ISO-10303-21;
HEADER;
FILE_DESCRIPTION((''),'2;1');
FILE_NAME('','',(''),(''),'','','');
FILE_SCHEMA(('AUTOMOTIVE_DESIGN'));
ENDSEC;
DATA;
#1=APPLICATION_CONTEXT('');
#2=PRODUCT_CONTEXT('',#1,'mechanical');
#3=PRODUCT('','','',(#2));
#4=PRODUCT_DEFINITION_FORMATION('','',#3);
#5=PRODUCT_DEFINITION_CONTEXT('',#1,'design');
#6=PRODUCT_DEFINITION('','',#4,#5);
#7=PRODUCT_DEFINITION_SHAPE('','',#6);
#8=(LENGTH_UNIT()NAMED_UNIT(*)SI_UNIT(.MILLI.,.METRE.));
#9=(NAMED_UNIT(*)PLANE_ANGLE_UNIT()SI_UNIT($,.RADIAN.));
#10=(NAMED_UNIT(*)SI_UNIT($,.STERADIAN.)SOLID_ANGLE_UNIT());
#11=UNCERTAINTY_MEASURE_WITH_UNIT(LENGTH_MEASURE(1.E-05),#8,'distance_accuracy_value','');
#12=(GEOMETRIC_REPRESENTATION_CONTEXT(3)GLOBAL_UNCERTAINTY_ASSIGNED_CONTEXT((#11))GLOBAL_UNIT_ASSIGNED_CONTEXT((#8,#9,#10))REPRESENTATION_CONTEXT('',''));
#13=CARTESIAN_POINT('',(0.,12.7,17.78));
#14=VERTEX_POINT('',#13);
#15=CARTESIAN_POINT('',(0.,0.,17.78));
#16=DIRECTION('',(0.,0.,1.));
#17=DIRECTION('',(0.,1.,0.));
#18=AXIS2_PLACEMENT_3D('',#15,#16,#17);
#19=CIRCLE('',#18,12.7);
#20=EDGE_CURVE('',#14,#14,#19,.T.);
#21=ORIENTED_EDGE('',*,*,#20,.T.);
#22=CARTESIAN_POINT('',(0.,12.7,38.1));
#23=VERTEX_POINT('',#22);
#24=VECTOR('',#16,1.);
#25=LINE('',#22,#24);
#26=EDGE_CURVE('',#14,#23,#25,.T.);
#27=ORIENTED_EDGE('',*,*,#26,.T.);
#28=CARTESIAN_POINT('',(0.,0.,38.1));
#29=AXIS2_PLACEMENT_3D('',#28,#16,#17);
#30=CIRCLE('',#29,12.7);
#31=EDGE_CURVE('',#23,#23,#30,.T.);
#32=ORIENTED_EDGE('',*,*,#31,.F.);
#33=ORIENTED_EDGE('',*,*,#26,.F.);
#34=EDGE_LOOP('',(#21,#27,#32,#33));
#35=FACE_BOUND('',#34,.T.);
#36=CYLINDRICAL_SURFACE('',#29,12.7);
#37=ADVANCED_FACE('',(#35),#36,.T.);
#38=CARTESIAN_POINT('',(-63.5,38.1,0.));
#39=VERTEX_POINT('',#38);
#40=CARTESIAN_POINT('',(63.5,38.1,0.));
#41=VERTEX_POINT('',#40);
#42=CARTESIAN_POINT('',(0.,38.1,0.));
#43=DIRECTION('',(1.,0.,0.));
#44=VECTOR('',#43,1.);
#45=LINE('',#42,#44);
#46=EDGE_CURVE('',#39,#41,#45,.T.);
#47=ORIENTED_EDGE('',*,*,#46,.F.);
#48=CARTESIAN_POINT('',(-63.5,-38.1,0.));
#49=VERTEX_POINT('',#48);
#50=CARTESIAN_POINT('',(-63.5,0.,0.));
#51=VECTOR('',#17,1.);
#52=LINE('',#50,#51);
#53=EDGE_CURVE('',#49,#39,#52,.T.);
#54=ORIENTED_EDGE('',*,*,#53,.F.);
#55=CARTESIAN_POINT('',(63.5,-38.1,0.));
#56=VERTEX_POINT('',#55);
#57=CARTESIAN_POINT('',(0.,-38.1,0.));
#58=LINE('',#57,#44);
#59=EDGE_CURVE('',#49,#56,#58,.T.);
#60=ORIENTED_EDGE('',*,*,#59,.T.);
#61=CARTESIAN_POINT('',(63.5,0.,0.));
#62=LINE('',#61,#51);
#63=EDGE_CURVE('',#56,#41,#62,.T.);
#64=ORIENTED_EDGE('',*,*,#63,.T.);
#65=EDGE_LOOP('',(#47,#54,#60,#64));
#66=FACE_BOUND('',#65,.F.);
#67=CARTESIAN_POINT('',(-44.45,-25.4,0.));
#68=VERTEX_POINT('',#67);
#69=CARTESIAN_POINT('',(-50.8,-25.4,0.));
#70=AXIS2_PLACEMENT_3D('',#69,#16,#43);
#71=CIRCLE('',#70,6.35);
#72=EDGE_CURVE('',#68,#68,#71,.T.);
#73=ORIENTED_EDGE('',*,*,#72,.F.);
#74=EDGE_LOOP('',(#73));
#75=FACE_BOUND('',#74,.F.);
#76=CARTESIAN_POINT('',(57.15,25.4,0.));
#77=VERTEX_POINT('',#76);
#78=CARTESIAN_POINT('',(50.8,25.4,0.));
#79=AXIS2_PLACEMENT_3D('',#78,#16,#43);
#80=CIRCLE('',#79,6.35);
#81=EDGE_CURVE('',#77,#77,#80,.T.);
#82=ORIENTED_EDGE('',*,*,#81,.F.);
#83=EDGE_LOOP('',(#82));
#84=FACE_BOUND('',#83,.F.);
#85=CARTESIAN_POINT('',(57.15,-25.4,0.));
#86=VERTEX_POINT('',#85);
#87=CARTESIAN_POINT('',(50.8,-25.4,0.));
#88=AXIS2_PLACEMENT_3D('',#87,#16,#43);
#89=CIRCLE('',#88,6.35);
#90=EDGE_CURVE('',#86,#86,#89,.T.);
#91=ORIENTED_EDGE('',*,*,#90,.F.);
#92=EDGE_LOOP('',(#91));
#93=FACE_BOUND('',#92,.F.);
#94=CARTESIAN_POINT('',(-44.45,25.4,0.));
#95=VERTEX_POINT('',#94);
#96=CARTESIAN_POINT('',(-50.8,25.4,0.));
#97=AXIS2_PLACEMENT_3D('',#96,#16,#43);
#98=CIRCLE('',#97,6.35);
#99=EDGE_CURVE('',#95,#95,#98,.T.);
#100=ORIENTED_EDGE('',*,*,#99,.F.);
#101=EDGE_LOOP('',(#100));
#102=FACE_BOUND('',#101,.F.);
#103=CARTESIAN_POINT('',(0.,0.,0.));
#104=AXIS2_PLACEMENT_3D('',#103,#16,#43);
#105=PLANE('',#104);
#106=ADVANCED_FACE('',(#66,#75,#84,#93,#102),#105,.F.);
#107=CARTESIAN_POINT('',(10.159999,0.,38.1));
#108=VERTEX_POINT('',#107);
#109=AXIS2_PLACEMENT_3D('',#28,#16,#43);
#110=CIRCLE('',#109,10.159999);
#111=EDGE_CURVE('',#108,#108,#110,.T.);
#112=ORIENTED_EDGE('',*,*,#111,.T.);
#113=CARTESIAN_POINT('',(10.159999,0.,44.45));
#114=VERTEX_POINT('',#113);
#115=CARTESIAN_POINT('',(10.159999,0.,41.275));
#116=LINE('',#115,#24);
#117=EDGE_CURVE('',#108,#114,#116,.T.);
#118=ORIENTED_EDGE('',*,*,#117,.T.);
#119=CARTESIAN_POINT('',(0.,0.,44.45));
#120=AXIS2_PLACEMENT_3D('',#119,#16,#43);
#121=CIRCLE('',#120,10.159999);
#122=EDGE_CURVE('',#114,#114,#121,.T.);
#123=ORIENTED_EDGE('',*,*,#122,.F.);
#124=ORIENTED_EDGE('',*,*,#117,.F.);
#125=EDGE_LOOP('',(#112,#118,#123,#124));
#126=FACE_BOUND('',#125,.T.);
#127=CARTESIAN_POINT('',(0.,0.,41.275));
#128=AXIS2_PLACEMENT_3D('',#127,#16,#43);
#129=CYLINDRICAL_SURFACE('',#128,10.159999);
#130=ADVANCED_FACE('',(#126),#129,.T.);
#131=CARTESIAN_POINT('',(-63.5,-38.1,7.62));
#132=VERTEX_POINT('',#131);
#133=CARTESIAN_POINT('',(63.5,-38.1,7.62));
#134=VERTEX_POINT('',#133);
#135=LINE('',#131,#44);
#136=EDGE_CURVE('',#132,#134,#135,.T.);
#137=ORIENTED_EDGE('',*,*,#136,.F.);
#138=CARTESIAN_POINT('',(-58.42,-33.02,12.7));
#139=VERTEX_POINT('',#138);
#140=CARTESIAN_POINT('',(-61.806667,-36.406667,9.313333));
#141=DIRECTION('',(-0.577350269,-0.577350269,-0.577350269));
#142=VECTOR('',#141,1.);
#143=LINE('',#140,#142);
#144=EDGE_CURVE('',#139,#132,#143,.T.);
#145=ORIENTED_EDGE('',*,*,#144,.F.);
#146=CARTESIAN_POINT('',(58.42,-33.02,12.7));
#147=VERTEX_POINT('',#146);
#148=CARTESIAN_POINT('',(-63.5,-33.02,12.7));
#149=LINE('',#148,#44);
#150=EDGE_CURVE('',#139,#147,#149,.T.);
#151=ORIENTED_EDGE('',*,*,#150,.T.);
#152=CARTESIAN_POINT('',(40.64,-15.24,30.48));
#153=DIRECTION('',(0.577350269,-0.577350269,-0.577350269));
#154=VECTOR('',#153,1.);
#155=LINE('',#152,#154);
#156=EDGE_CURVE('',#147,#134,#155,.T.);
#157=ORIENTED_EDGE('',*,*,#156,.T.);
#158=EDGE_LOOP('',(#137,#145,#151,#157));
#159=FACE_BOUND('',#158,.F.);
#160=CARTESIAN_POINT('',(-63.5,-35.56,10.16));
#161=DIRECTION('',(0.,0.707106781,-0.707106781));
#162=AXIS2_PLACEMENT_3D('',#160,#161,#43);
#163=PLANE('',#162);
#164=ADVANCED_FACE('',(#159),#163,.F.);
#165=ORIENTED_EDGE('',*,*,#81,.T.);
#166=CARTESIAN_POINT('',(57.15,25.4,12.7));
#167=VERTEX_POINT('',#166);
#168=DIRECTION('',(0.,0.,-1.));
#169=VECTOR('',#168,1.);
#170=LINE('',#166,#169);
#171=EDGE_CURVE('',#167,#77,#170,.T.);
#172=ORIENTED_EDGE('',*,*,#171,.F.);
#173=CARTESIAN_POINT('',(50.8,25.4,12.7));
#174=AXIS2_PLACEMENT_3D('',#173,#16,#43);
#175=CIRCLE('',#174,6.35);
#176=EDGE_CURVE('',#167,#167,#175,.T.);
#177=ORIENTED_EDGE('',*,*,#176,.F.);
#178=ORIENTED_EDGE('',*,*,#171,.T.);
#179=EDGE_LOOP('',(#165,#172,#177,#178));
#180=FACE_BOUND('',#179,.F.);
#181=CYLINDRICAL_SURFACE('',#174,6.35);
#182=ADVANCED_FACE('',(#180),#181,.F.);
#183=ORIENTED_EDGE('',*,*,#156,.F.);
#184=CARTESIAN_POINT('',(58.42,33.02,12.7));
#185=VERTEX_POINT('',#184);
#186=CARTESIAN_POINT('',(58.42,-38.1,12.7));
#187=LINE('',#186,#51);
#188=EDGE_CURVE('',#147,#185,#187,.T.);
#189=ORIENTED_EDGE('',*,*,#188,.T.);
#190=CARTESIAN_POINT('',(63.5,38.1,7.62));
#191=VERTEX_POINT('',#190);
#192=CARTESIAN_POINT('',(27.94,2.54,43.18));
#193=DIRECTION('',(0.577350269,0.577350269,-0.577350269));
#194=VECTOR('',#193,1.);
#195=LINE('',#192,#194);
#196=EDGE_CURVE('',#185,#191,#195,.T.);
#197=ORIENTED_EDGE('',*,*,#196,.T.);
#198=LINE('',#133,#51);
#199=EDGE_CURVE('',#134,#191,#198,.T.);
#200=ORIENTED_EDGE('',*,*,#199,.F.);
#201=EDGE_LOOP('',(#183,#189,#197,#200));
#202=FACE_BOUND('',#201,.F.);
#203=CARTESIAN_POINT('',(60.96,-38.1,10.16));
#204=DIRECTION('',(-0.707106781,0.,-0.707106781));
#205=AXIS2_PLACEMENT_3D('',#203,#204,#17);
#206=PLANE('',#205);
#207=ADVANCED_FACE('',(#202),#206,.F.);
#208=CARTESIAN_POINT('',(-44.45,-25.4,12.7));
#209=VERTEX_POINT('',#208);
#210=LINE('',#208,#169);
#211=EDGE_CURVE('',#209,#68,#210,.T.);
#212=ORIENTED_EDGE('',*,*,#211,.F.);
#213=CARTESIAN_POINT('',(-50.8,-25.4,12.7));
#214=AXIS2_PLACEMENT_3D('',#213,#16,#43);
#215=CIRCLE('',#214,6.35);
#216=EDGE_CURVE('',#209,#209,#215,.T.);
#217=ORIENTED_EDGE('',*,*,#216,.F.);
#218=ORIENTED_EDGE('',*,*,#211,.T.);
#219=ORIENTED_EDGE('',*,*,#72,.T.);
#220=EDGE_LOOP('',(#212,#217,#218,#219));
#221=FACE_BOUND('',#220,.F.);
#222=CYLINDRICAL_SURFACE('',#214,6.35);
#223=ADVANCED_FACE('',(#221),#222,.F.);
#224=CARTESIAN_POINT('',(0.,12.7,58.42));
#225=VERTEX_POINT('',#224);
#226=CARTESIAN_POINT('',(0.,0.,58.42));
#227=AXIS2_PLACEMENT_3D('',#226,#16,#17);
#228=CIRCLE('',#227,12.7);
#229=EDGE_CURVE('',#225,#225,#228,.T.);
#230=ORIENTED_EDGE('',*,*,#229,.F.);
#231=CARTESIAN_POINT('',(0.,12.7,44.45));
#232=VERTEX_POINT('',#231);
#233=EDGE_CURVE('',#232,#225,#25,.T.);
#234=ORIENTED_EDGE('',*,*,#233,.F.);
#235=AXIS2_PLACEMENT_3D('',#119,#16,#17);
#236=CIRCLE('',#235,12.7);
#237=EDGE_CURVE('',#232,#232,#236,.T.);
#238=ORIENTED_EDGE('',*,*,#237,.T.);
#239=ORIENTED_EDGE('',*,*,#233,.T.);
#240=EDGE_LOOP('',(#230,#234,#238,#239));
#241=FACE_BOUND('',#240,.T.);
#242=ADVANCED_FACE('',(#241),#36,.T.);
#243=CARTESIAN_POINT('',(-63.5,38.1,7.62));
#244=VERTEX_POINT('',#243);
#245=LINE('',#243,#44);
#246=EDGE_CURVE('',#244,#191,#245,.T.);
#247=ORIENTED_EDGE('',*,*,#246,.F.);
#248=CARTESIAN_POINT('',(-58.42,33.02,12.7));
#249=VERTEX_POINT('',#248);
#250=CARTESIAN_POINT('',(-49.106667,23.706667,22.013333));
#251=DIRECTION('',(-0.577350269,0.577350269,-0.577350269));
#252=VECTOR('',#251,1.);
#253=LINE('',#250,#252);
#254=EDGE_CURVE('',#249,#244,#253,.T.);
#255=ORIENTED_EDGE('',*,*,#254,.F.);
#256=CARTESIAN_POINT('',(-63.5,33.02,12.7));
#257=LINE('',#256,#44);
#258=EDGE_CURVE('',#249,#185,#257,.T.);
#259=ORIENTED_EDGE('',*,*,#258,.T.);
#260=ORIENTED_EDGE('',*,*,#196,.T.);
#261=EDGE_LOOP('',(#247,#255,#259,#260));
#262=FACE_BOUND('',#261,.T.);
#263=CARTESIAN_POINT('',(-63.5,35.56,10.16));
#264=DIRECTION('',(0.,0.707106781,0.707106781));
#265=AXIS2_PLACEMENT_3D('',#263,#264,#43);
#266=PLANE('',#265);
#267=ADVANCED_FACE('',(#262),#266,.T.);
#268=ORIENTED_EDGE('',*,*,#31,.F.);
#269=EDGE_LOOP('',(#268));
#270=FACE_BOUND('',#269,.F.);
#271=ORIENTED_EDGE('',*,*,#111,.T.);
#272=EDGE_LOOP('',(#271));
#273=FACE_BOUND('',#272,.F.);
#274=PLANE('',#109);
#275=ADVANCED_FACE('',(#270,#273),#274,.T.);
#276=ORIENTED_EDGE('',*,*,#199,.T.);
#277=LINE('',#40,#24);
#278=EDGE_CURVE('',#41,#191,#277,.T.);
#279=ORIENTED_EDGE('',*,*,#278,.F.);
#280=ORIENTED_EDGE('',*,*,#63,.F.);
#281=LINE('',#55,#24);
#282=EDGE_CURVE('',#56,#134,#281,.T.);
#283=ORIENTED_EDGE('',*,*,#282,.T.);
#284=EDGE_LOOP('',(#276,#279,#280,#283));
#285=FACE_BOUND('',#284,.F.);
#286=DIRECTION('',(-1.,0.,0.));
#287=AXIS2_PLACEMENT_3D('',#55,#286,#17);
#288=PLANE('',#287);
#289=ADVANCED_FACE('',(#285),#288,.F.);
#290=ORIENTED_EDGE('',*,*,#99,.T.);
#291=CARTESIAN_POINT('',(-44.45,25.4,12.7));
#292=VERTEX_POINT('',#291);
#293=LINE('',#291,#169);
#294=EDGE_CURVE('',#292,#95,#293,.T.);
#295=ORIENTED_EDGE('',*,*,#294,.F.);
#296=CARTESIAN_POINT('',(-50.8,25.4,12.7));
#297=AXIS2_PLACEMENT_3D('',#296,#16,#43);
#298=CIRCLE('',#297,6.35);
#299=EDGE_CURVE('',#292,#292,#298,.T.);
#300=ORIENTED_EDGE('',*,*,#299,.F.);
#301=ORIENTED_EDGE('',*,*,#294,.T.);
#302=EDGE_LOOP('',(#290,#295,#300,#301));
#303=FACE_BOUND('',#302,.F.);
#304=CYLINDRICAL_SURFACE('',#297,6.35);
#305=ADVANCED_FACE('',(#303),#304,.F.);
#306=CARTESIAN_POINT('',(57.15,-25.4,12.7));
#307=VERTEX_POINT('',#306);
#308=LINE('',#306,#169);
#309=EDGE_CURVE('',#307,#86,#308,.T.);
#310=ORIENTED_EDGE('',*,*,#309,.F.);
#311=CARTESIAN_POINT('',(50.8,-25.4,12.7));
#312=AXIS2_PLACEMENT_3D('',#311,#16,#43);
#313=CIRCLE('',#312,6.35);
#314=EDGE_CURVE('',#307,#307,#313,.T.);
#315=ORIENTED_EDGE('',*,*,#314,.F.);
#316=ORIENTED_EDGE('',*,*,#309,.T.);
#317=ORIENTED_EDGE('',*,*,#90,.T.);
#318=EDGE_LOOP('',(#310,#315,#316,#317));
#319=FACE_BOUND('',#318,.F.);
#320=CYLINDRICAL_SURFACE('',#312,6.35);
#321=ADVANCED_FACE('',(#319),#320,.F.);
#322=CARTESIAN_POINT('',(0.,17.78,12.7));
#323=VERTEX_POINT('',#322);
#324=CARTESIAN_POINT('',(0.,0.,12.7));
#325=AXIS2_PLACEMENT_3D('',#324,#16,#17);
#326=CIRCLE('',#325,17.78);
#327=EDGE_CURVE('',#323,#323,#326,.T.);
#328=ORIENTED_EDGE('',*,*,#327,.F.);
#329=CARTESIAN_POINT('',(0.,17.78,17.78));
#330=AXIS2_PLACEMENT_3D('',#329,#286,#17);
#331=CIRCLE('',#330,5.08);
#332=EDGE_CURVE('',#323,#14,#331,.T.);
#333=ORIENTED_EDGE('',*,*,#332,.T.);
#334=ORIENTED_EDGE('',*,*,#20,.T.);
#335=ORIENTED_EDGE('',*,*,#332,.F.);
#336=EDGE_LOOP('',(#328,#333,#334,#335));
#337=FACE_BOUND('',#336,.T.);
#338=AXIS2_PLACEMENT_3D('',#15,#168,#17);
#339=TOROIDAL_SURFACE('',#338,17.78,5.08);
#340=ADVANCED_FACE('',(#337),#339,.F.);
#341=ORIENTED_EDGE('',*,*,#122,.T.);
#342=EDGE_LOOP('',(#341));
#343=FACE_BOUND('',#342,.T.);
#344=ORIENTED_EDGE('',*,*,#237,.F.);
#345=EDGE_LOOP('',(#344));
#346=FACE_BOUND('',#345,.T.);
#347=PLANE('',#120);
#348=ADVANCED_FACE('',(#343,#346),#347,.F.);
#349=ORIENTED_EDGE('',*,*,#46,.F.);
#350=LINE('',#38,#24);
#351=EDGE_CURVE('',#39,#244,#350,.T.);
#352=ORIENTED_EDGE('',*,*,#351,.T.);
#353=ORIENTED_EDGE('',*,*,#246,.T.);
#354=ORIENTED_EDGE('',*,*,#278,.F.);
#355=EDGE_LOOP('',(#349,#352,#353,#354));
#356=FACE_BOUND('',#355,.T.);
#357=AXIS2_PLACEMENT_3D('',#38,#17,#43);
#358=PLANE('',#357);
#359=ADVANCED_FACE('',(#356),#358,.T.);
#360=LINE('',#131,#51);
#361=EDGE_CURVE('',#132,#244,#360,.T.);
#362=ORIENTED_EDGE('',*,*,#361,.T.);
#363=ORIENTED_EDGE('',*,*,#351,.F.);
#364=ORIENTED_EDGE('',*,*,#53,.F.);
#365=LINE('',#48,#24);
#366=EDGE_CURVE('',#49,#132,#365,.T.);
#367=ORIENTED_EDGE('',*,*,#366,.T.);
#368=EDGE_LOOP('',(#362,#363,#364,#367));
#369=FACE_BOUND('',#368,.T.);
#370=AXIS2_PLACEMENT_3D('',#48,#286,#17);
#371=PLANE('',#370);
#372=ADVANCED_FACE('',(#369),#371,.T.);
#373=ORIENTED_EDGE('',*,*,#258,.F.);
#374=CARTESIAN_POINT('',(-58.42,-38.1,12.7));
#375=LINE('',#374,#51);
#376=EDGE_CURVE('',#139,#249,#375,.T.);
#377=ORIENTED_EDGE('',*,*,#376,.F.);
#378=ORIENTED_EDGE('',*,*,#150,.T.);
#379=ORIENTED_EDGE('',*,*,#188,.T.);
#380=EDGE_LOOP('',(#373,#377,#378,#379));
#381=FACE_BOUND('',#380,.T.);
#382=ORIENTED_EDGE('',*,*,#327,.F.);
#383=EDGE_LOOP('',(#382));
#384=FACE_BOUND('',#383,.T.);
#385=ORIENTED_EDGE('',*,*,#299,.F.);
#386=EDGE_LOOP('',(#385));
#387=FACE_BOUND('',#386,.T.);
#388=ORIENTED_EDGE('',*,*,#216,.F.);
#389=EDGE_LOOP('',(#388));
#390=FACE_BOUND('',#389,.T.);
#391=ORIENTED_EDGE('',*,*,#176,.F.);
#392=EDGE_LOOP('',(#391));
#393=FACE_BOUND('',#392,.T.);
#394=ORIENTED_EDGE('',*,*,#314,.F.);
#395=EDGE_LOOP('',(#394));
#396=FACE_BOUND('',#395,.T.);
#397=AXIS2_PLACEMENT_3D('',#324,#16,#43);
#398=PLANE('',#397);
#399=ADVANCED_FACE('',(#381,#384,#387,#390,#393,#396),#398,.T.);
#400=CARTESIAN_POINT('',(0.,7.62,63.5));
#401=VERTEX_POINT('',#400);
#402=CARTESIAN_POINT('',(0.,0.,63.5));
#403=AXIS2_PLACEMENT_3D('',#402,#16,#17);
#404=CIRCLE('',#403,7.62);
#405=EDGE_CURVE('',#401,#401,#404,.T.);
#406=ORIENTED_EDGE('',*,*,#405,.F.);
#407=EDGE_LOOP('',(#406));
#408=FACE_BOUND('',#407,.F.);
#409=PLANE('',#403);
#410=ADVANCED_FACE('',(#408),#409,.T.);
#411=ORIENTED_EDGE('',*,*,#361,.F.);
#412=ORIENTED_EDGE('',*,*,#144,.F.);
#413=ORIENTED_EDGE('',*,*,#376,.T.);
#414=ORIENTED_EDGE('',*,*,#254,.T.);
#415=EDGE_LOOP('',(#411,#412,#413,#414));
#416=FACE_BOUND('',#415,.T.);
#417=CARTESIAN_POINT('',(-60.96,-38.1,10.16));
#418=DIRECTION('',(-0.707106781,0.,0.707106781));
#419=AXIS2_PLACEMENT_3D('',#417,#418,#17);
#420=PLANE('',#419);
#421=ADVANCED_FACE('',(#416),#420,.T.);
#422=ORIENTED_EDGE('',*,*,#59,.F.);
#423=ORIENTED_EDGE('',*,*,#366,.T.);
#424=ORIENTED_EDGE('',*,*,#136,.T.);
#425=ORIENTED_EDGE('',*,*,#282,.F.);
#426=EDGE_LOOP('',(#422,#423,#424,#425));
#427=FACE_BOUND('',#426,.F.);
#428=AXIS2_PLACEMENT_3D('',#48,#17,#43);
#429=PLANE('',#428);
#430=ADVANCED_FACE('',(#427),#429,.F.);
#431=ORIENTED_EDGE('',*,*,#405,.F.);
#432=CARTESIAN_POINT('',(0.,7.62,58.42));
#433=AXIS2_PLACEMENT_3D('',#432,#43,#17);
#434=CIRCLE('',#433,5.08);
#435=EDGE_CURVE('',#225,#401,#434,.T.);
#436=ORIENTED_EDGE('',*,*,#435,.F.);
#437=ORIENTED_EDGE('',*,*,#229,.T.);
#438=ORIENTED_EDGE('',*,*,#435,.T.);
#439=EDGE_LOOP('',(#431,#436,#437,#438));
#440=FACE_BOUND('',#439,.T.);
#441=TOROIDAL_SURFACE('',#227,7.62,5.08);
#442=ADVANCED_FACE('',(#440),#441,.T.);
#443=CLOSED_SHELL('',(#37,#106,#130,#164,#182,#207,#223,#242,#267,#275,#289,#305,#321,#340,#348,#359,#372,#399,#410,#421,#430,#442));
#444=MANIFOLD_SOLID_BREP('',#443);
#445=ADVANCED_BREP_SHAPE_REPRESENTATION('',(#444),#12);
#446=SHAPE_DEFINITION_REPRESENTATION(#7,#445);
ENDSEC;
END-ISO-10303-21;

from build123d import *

# Parameters (mm, degrees)
F0_W     = 127
F0_H     = 76.2
F1_DEPTH = 12.7
F2_R     = 6.35
F3_DEPTH = 12.701
F4_W     = 12.7
F4_H     = 50.8
F6_W     = 9.855053
F6_H     = 6.35
F8_R     = 5.08
F9_SIZE  = 5.08


with BuildPart() as f1:
    # F0 (on Top) → F1 (new body)
    with BuildSketch(Plane.XY):
        Rectangle(F0_W, F0_H)
    extrude(amount=F1_DEPTH)

    # F2 (on face) → F3 (cut, through all)
    with BuildSketch(Plane.XY.offset(12.7)):
        with Locations((-50.8, 25.4)):
            Circle(F2_R)
        with Locations((50.8, 25.4)):
            Circle(F2_R)
        with Locations((-50.8, -25.4)):
            Circle(F2_R)
        with Locations((50.8, -25.4)):
            Circle(F2_R)
    extrude(amount=-F3_DEPTH, mode=Mode.SUBTRACT)

    # F4 (on Right) → F5 (revolve)
    with BuildSketch(Plane.YZ):
        with Locations((6.35, 38.1)):
            Rectangle(F4_W, F4_H)
    revolve(axis=Axis((0, 0, 38.1), (0, 0, 1)))

    # F6 (on Front) → F7 (revolve, cut)
    with BuildSketch(Plane.XZ):
        with Locations((15.087526, 41.275)):
            Rectangle(F6_W, F6_H)
    revolve(axis=Axis((0, 0, 12.7), (0, 0, 1)), mode=Mode.SUBTRACT)

    # F8
    f8_edges = [f1.edges().sort_by_distance(p)[0] for p in [
        (0, -12.7, 12.7),
        (0, -12.7, 63.5),
    ]]
    fillet(f8_edges, radius=F8_R)

    # F9
    f9_edges = [f1.edges().sort_by_distance(p)[0] for p in [
        (-63.5, 0, 12.7),
        (0, -38.1, 12.7),
        (63.5, 0, 12.7),
        (0, 38.1, 12.7),
    ]]
    chamfer(f9_edges, length=F9_SIZE)


solid = f1.part
